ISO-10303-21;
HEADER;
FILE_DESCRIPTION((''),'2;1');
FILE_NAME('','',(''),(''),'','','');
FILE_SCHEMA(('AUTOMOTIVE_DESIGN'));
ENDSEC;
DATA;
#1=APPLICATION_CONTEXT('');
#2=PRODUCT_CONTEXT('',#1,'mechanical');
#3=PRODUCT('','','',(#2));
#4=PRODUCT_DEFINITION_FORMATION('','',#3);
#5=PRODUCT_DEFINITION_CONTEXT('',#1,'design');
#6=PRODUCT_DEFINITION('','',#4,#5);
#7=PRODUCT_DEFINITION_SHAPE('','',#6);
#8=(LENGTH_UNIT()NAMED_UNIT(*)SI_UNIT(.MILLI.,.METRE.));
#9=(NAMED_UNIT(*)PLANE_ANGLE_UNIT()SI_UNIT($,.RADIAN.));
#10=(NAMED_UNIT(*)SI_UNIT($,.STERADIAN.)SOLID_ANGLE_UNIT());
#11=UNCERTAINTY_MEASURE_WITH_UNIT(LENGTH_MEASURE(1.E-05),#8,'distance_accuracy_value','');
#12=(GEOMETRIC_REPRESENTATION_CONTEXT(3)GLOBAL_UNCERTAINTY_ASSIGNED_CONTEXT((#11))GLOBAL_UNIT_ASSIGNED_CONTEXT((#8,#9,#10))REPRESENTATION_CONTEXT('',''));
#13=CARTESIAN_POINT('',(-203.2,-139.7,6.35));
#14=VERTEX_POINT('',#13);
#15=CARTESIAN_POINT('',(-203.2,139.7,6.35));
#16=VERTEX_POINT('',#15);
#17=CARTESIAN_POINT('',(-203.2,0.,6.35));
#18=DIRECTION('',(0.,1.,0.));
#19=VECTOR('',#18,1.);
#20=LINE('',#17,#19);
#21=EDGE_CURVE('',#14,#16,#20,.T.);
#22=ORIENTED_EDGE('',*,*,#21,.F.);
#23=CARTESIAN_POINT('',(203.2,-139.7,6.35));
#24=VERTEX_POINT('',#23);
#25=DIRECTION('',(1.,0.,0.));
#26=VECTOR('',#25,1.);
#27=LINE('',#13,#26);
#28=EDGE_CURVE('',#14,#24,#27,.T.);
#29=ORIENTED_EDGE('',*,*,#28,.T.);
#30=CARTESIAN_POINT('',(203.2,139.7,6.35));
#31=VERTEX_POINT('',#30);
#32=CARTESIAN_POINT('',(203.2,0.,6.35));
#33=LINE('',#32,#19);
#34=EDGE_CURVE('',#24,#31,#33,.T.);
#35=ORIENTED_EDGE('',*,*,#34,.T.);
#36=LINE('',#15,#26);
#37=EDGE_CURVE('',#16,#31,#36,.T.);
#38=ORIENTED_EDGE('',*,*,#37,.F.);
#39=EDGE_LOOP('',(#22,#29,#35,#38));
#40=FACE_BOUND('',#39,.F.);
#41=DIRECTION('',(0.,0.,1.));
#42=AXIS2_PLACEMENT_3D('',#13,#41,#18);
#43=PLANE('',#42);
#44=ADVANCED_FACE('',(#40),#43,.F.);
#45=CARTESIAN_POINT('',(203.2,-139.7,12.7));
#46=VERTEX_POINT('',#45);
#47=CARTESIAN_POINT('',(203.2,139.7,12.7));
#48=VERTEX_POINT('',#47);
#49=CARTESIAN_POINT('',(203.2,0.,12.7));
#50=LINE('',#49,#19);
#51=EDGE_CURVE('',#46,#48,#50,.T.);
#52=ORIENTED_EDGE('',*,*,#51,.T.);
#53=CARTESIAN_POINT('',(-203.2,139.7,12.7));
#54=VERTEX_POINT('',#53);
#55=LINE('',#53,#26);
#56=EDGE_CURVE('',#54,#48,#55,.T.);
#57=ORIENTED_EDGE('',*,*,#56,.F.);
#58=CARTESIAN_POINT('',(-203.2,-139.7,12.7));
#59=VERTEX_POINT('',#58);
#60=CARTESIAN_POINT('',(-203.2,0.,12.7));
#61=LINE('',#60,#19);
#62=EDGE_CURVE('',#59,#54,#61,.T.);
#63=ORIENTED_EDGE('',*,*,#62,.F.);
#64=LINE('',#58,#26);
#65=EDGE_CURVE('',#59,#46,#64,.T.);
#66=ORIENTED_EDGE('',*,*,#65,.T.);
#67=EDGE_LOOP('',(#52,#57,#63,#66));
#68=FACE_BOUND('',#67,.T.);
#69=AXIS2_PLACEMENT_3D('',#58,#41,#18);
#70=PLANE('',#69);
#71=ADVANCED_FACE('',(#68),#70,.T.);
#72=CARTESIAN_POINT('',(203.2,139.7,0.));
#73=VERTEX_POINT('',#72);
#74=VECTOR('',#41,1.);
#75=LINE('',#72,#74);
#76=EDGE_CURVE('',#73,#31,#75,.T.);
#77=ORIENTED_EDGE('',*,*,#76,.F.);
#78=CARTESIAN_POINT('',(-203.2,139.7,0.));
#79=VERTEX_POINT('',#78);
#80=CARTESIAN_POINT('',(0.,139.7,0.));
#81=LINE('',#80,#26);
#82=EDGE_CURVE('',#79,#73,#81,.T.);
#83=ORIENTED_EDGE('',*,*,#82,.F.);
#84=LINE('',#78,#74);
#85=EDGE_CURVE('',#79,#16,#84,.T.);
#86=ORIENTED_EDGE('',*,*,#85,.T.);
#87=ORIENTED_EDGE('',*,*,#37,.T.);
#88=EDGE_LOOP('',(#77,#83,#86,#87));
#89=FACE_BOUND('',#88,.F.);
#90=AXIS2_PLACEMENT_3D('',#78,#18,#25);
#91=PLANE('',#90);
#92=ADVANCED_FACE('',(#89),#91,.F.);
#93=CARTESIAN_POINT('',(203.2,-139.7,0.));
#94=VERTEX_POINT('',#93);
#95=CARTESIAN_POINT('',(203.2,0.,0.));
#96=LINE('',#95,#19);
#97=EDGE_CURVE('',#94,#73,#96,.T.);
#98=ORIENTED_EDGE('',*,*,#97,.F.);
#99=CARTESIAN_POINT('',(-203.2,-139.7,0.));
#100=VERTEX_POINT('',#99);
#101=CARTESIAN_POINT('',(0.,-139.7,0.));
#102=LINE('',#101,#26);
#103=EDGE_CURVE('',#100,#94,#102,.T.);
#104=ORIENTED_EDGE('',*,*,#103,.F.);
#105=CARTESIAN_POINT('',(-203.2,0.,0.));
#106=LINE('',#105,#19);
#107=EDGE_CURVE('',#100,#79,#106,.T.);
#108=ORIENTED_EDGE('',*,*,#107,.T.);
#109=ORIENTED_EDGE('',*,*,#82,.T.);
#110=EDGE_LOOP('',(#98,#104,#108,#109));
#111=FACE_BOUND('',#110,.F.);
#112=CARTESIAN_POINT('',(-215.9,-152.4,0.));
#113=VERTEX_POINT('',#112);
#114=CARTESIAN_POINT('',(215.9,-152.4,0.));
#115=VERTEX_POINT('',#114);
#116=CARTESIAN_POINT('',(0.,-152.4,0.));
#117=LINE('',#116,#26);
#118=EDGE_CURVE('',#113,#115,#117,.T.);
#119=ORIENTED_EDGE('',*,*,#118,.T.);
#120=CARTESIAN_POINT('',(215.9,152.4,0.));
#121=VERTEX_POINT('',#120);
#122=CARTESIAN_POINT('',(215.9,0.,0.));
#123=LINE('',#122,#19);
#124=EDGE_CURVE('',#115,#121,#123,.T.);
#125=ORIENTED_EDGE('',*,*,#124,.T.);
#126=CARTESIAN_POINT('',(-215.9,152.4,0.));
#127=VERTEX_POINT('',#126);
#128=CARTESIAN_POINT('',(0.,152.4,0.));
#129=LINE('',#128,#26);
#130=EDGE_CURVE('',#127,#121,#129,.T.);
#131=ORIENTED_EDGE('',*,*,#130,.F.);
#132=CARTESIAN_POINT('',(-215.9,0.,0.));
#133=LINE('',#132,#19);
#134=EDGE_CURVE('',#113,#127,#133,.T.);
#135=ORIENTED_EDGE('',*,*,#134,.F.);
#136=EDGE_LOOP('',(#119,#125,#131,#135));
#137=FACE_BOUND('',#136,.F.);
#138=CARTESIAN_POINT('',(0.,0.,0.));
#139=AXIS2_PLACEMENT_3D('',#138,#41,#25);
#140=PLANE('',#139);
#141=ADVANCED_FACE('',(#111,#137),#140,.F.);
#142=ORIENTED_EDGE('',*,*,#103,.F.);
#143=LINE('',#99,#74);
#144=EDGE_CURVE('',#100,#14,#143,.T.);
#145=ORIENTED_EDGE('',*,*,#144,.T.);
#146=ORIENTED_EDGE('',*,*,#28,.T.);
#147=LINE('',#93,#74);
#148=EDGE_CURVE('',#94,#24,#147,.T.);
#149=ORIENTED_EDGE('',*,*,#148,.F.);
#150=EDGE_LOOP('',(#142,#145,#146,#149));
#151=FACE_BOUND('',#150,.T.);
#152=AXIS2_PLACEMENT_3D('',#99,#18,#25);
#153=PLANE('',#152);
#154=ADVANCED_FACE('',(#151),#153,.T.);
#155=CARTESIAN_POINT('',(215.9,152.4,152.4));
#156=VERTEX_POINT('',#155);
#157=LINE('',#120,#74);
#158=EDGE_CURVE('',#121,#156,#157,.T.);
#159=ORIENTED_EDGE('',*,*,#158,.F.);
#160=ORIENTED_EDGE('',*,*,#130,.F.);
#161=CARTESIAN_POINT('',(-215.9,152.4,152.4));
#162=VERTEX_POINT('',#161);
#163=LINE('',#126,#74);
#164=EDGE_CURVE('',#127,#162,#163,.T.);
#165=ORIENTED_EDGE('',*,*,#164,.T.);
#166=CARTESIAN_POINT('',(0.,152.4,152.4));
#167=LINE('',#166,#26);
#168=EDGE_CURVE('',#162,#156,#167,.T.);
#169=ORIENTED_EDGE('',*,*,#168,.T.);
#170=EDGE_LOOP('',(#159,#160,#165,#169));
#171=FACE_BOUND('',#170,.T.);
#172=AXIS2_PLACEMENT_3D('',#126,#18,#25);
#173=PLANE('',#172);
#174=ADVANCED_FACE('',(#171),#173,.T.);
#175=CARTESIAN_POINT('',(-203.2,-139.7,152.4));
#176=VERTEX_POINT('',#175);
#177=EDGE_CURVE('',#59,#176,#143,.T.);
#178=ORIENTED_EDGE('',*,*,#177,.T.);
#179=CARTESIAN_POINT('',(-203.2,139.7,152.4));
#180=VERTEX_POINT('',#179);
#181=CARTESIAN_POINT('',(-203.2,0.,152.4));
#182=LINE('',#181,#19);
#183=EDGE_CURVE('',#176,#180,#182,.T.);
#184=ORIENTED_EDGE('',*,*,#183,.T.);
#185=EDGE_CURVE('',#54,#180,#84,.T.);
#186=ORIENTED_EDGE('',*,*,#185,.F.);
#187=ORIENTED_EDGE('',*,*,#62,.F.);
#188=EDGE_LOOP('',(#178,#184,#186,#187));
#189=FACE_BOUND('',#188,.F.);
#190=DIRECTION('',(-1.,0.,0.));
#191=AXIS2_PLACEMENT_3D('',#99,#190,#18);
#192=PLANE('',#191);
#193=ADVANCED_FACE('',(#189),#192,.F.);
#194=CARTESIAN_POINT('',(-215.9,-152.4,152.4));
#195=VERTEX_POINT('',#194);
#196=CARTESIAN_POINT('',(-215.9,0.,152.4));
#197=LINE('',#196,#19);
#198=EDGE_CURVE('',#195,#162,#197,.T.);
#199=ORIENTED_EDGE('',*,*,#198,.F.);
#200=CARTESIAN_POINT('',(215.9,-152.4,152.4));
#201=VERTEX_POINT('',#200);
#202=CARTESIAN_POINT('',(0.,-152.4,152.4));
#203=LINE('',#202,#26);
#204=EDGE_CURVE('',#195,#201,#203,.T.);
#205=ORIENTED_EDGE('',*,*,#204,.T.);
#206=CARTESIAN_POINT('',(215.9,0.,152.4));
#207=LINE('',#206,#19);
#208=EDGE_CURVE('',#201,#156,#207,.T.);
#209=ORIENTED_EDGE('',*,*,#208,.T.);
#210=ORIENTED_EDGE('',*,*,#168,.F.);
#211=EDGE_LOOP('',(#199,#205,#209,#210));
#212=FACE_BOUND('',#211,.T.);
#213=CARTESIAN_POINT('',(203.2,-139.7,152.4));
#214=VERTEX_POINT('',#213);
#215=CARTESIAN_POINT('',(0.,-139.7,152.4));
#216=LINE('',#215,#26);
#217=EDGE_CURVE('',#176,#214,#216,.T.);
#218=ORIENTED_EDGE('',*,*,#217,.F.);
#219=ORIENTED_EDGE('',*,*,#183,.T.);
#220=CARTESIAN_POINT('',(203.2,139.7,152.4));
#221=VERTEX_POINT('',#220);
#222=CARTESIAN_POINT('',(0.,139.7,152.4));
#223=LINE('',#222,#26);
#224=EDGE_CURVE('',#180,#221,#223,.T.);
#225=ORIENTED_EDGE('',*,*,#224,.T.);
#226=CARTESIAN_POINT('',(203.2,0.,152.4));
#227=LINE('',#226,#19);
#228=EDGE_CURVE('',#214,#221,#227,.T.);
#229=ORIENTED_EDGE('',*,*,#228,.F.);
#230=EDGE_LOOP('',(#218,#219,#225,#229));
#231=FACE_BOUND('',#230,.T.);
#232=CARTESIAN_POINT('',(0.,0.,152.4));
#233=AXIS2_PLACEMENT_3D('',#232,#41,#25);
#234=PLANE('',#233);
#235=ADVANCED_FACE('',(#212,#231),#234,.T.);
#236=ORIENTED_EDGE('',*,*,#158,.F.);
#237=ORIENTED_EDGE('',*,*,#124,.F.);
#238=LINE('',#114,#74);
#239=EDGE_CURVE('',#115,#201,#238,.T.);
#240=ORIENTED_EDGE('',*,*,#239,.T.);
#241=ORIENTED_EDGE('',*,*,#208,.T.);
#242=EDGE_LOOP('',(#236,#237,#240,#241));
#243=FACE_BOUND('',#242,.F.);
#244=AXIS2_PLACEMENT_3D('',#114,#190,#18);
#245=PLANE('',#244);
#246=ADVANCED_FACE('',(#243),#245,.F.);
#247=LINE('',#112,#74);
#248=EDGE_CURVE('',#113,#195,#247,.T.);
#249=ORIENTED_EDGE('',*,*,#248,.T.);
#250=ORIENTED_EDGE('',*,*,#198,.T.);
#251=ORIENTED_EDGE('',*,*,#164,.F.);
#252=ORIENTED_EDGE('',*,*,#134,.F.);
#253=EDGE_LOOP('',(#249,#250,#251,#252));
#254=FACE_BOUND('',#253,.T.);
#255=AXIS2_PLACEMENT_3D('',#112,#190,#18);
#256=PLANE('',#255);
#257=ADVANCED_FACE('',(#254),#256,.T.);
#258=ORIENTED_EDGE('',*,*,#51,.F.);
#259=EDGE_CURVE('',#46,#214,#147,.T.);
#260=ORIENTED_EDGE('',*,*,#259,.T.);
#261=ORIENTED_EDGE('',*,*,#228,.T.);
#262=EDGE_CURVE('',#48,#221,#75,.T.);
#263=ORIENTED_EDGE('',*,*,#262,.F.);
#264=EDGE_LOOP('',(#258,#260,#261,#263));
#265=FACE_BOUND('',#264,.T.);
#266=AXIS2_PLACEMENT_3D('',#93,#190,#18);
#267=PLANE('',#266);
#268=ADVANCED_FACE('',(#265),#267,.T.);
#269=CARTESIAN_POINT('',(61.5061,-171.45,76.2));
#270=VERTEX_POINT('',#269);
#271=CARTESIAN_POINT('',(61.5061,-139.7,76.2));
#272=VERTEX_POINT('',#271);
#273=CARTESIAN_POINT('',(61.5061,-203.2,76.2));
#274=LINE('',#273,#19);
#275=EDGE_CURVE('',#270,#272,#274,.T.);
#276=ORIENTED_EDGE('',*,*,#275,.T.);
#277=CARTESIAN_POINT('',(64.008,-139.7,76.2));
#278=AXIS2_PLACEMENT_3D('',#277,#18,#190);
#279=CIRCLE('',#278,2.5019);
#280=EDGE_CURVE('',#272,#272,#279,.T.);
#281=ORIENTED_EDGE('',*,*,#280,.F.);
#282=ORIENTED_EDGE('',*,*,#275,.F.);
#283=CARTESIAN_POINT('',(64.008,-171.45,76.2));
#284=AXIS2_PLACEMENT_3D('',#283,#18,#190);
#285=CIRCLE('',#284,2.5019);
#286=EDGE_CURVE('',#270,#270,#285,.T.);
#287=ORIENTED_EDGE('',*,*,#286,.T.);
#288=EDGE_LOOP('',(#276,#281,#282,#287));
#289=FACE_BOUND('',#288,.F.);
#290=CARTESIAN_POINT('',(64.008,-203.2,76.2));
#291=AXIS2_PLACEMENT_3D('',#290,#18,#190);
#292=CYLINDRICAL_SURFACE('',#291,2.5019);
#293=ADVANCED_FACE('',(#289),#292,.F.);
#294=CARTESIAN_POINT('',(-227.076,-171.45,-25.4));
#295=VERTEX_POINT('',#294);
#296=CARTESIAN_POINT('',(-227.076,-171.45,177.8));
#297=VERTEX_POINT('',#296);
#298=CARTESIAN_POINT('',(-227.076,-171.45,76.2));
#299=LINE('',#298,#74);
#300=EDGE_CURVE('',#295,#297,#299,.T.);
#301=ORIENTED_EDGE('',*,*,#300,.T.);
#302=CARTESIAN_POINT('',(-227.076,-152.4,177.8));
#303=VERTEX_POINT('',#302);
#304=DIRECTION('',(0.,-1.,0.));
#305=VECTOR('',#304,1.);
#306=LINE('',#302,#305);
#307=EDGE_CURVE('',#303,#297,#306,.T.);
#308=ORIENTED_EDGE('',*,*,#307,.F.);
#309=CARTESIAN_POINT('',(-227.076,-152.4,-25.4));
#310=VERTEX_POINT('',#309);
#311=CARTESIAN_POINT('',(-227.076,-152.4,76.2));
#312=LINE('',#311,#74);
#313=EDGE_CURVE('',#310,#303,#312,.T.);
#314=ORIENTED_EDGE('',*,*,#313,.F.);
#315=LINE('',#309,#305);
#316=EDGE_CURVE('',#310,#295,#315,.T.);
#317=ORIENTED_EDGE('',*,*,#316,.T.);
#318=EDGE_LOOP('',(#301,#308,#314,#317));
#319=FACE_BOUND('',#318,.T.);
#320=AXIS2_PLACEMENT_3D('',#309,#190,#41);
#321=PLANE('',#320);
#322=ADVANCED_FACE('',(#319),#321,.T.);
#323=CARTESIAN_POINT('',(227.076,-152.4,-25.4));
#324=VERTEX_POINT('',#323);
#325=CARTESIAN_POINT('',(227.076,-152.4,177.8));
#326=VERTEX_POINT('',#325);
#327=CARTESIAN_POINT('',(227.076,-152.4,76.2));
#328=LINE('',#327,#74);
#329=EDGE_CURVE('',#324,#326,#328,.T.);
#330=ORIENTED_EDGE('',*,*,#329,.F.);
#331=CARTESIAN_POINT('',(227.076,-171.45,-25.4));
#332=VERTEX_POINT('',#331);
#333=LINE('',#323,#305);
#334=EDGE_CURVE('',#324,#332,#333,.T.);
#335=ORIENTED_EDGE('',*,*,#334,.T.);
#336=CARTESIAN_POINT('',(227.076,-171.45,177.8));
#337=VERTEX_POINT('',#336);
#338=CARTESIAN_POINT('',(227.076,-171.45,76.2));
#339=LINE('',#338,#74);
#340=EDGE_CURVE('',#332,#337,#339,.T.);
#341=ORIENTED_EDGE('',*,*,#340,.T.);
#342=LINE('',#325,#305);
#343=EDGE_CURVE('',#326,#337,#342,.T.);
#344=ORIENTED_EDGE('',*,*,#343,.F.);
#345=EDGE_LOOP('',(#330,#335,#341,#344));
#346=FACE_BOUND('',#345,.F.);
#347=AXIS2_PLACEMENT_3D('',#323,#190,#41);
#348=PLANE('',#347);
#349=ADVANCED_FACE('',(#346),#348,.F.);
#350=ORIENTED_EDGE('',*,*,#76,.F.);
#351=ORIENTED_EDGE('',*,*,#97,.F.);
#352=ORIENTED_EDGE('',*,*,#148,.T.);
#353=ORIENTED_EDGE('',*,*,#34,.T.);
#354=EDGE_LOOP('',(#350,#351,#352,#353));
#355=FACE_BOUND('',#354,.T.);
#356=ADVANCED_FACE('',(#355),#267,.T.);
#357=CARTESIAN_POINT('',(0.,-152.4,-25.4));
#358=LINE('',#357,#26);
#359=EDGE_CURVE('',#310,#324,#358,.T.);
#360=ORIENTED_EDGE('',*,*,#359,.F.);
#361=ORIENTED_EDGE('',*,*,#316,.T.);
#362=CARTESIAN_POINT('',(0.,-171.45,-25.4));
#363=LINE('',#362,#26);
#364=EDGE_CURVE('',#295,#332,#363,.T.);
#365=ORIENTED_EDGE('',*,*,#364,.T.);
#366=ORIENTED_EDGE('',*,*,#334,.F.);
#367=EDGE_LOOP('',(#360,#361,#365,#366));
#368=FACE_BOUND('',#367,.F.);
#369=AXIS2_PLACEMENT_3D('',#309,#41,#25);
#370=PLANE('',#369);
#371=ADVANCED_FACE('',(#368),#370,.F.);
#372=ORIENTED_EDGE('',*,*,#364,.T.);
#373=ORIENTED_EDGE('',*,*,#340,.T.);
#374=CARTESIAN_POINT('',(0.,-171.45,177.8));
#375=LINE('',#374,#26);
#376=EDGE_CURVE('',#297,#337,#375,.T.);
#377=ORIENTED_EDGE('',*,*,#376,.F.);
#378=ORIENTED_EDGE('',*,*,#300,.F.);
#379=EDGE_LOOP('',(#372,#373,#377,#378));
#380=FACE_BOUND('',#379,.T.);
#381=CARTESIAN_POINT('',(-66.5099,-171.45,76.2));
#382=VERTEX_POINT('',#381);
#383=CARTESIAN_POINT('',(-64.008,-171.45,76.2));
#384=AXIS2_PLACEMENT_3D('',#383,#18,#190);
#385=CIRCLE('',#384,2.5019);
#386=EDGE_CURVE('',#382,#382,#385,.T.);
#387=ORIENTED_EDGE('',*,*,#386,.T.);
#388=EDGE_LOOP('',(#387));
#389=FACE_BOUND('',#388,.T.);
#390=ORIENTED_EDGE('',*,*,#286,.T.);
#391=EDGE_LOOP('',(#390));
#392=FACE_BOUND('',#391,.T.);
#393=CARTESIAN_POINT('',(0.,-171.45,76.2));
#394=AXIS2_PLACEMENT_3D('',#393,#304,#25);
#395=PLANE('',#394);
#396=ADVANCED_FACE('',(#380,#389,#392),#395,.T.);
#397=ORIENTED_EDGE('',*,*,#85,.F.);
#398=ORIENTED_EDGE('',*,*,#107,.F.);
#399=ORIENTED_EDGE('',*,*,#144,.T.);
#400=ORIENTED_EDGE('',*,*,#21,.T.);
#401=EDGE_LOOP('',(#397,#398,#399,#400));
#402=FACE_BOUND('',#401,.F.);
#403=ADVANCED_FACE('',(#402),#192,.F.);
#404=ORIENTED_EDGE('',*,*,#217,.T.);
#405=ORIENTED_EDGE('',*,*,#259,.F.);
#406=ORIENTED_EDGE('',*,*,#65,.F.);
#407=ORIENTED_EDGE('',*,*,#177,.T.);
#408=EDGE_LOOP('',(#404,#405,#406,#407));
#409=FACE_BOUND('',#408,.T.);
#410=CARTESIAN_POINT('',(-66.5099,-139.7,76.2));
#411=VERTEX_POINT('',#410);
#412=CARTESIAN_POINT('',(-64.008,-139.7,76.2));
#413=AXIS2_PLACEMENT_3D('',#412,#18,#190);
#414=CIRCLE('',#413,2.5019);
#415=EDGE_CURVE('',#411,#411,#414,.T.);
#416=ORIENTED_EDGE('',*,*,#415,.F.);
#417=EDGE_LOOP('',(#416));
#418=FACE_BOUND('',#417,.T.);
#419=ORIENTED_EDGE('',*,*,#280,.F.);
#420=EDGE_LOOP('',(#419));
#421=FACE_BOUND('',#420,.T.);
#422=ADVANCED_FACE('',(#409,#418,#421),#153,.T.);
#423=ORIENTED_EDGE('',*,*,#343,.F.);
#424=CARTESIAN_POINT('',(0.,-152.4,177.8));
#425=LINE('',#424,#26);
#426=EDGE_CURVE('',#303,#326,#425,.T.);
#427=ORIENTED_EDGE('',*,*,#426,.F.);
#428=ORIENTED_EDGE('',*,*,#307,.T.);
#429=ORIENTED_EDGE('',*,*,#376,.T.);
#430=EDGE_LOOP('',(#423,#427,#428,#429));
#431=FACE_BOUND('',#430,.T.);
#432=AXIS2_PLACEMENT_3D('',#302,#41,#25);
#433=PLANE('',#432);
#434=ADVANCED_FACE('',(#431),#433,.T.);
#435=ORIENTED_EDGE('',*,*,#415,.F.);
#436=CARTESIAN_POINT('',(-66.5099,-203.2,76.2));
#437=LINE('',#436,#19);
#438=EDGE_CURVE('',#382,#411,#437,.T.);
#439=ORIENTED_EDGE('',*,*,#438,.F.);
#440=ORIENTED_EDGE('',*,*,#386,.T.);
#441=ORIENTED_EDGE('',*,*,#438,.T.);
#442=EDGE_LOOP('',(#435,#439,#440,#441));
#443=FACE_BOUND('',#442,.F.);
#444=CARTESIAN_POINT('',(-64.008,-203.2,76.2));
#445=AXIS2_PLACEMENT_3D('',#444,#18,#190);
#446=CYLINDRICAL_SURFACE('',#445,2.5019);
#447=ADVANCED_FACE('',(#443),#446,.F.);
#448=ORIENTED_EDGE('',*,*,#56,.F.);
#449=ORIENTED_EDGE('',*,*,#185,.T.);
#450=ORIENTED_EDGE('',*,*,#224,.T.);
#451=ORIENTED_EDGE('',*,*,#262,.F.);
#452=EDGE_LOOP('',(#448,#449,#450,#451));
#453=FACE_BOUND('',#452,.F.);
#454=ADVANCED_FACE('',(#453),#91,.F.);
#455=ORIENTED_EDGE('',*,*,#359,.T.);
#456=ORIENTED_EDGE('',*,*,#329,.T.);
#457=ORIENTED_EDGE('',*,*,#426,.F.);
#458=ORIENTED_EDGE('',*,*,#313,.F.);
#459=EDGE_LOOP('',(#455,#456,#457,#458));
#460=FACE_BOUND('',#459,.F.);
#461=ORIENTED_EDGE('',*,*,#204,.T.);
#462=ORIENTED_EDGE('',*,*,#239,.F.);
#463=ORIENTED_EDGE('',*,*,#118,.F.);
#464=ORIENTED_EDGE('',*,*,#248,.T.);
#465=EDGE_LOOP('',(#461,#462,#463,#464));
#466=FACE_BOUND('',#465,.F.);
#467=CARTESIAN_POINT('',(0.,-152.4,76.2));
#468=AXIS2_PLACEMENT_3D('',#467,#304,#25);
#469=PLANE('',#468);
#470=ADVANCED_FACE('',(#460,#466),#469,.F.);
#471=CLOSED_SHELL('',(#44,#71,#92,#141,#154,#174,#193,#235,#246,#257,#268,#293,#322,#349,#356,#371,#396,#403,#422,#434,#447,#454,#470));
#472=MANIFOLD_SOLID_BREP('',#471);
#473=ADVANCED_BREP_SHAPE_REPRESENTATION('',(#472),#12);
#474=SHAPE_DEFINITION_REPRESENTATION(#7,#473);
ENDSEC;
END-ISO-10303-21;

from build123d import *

# Parameters (mm, degrees)
F0_W     = 431.8
F0_H     = 304.8
F0_W_2   = 406.4
F0_H_2   = 279.4
F1_DEPTH = 152.4
F2_W     = 279.4
F2_H     = 6.35
F3_DEPTH = 406.4
F4_W     = 454.152
F4_H     = 203.2
F5_DEPTH = 19.05
F7_D     = 5.0038
F7_DEPTH = 31.75


with BuildPart() as f1:
    # F0 (on Top) → F1 (new body)
    with BuildSketch(Plane.XY):
        Rectangle(F0_W, F0_H)
        Rectangle(F0_W_2, F0_H_2, mode=Mode.SUBTRACT)
    extrude(amount=F1_DEPTH)

    # F2 (on face) → F3 (join, through all)
    with BuildSketch(Plane.YZ.offset(-203.2)):
        with Locations((0, 9.525)):
            Rectangle(F2_W, F2_H)
    extrude(amount=F3_DEPTH)

    # F4 (on face) → F5 (join)
    with BuildSketch(Plane.XZ.offset(152.4)):
        with Locations((0, 76.2)):
            Rectangle(F4_W, F4_H)
    extrude(amount=F5_DEPTH)

    # F7
    with Locations(Plane.XZ.offset(171.45)):
        with Locations((-64.008, 76.2), (64.008, 76.2)):
            Hole(F7_D / 2, depth=F7_DEPTH)


solid = f1.part
